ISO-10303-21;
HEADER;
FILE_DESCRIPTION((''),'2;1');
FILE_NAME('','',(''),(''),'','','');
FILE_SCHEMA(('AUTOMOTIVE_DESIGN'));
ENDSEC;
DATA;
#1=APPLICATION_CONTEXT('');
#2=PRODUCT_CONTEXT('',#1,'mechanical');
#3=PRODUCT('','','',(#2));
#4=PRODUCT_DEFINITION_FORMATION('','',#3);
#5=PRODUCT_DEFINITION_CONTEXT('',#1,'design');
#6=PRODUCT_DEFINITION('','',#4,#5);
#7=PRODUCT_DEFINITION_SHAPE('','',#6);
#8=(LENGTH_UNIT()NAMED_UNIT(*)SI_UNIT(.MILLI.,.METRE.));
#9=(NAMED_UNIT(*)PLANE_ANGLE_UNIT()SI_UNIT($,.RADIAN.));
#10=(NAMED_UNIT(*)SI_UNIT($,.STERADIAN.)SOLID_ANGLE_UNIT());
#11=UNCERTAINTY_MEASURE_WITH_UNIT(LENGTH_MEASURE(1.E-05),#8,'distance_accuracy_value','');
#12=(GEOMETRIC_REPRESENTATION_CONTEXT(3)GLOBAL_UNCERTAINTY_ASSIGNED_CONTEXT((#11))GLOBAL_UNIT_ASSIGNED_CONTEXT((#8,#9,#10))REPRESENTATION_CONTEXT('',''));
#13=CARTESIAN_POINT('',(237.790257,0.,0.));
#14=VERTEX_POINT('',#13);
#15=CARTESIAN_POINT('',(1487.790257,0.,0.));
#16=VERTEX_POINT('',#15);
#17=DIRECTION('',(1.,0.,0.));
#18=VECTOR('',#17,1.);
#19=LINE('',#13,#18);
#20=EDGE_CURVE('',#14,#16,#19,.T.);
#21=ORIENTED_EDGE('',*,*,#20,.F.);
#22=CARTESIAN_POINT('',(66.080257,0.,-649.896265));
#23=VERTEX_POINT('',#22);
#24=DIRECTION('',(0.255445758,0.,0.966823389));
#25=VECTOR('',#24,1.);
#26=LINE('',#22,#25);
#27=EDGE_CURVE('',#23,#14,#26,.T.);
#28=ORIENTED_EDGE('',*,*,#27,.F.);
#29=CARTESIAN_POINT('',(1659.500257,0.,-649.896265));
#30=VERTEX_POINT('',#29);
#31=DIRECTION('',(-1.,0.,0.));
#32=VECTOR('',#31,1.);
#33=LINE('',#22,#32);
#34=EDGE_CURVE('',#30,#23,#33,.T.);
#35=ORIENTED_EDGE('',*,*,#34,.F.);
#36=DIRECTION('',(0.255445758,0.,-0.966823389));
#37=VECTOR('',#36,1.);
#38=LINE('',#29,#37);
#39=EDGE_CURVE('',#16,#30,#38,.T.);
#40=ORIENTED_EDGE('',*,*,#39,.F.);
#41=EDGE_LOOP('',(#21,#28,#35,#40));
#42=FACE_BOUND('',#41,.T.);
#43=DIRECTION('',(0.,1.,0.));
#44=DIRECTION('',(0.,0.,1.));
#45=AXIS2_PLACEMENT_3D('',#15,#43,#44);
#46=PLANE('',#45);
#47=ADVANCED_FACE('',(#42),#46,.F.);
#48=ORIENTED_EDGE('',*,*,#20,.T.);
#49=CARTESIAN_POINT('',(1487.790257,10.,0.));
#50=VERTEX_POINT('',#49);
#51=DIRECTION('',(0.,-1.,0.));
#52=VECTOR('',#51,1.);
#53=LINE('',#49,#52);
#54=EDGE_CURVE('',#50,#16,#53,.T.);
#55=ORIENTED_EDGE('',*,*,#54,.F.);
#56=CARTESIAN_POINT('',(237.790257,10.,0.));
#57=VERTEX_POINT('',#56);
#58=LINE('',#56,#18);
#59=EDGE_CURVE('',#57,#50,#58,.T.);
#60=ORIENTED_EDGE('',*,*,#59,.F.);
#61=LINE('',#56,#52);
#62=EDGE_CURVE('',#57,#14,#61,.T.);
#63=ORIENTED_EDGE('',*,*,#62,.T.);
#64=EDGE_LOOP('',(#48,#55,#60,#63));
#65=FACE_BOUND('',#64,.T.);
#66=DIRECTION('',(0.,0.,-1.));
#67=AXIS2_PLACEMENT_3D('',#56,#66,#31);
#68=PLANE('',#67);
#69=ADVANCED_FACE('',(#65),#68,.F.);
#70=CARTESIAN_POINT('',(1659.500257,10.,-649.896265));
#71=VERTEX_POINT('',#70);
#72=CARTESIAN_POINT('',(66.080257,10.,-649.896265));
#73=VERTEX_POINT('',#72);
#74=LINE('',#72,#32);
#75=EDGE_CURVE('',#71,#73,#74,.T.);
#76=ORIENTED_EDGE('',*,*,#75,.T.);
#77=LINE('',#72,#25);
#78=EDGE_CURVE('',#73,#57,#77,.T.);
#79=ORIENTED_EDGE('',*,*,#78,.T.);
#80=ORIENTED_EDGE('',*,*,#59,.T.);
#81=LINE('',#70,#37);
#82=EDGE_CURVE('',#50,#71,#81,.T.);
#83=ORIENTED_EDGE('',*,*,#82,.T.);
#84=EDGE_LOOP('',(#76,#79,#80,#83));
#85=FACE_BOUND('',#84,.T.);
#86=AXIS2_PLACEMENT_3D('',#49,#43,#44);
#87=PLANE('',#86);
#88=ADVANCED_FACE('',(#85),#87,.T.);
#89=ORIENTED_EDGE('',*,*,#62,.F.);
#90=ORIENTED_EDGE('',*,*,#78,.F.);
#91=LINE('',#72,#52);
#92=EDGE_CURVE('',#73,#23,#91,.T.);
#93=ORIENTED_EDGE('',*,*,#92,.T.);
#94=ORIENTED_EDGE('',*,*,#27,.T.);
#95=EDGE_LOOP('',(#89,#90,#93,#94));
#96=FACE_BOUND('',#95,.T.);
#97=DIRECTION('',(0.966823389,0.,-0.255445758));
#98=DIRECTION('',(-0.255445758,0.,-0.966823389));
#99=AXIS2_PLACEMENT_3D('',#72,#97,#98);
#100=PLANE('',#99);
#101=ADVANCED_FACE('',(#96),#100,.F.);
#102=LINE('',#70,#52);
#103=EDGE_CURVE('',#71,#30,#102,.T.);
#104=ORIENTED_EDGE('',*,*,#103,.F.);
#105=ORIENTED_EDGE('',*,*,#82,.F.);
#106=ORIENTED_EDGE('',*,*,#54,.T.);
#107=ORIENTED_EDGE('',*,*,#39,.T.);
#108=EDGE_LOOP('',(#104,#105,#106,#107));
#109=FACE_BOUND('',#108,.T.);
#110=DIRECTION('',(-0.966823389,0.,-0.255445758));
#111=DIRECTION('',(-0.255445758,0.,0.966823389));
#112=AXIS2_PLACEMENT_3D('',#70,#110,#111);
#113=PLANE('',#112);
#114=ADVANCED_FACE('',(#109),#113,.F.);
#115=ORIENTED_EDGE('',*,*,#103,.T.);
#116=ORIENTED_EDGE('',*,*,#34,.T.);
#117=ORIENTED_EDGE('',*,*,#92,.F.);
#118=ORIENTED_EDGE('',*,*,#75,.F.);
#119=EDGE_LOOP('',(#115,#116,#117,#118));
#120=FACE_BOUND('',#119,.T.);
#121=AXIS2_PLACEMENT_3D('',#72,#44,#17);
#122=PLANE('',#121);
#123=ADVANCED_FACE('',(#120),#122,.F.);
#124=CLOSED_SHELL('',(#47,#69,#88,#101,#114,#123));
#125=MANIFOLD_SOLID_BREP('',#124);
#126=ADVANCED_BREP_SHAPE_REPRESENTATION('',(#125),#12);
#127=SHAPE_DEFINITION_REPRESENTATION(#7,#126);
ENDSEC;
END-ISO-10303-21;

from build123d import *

# Parameters (mm, degrees)
EXTRUDE1_DEPTH = 10


with BuildPart() as part:
    # Sketch1 → Extrude1 (new body)
    with BuildSketch(Plane(origin=(0, 0, 0), x_dir=(1, 0, 0), z_dir=(0, 1, 0))):
        Polygon((66.080257096, 649.896265253), (237.790257096, 0), (1487.790257096, 0), (1659.500257096, 649.896265253), align=None)
    extrude(amount=EXTRUDE1_DEPTH)


solid = part.part
